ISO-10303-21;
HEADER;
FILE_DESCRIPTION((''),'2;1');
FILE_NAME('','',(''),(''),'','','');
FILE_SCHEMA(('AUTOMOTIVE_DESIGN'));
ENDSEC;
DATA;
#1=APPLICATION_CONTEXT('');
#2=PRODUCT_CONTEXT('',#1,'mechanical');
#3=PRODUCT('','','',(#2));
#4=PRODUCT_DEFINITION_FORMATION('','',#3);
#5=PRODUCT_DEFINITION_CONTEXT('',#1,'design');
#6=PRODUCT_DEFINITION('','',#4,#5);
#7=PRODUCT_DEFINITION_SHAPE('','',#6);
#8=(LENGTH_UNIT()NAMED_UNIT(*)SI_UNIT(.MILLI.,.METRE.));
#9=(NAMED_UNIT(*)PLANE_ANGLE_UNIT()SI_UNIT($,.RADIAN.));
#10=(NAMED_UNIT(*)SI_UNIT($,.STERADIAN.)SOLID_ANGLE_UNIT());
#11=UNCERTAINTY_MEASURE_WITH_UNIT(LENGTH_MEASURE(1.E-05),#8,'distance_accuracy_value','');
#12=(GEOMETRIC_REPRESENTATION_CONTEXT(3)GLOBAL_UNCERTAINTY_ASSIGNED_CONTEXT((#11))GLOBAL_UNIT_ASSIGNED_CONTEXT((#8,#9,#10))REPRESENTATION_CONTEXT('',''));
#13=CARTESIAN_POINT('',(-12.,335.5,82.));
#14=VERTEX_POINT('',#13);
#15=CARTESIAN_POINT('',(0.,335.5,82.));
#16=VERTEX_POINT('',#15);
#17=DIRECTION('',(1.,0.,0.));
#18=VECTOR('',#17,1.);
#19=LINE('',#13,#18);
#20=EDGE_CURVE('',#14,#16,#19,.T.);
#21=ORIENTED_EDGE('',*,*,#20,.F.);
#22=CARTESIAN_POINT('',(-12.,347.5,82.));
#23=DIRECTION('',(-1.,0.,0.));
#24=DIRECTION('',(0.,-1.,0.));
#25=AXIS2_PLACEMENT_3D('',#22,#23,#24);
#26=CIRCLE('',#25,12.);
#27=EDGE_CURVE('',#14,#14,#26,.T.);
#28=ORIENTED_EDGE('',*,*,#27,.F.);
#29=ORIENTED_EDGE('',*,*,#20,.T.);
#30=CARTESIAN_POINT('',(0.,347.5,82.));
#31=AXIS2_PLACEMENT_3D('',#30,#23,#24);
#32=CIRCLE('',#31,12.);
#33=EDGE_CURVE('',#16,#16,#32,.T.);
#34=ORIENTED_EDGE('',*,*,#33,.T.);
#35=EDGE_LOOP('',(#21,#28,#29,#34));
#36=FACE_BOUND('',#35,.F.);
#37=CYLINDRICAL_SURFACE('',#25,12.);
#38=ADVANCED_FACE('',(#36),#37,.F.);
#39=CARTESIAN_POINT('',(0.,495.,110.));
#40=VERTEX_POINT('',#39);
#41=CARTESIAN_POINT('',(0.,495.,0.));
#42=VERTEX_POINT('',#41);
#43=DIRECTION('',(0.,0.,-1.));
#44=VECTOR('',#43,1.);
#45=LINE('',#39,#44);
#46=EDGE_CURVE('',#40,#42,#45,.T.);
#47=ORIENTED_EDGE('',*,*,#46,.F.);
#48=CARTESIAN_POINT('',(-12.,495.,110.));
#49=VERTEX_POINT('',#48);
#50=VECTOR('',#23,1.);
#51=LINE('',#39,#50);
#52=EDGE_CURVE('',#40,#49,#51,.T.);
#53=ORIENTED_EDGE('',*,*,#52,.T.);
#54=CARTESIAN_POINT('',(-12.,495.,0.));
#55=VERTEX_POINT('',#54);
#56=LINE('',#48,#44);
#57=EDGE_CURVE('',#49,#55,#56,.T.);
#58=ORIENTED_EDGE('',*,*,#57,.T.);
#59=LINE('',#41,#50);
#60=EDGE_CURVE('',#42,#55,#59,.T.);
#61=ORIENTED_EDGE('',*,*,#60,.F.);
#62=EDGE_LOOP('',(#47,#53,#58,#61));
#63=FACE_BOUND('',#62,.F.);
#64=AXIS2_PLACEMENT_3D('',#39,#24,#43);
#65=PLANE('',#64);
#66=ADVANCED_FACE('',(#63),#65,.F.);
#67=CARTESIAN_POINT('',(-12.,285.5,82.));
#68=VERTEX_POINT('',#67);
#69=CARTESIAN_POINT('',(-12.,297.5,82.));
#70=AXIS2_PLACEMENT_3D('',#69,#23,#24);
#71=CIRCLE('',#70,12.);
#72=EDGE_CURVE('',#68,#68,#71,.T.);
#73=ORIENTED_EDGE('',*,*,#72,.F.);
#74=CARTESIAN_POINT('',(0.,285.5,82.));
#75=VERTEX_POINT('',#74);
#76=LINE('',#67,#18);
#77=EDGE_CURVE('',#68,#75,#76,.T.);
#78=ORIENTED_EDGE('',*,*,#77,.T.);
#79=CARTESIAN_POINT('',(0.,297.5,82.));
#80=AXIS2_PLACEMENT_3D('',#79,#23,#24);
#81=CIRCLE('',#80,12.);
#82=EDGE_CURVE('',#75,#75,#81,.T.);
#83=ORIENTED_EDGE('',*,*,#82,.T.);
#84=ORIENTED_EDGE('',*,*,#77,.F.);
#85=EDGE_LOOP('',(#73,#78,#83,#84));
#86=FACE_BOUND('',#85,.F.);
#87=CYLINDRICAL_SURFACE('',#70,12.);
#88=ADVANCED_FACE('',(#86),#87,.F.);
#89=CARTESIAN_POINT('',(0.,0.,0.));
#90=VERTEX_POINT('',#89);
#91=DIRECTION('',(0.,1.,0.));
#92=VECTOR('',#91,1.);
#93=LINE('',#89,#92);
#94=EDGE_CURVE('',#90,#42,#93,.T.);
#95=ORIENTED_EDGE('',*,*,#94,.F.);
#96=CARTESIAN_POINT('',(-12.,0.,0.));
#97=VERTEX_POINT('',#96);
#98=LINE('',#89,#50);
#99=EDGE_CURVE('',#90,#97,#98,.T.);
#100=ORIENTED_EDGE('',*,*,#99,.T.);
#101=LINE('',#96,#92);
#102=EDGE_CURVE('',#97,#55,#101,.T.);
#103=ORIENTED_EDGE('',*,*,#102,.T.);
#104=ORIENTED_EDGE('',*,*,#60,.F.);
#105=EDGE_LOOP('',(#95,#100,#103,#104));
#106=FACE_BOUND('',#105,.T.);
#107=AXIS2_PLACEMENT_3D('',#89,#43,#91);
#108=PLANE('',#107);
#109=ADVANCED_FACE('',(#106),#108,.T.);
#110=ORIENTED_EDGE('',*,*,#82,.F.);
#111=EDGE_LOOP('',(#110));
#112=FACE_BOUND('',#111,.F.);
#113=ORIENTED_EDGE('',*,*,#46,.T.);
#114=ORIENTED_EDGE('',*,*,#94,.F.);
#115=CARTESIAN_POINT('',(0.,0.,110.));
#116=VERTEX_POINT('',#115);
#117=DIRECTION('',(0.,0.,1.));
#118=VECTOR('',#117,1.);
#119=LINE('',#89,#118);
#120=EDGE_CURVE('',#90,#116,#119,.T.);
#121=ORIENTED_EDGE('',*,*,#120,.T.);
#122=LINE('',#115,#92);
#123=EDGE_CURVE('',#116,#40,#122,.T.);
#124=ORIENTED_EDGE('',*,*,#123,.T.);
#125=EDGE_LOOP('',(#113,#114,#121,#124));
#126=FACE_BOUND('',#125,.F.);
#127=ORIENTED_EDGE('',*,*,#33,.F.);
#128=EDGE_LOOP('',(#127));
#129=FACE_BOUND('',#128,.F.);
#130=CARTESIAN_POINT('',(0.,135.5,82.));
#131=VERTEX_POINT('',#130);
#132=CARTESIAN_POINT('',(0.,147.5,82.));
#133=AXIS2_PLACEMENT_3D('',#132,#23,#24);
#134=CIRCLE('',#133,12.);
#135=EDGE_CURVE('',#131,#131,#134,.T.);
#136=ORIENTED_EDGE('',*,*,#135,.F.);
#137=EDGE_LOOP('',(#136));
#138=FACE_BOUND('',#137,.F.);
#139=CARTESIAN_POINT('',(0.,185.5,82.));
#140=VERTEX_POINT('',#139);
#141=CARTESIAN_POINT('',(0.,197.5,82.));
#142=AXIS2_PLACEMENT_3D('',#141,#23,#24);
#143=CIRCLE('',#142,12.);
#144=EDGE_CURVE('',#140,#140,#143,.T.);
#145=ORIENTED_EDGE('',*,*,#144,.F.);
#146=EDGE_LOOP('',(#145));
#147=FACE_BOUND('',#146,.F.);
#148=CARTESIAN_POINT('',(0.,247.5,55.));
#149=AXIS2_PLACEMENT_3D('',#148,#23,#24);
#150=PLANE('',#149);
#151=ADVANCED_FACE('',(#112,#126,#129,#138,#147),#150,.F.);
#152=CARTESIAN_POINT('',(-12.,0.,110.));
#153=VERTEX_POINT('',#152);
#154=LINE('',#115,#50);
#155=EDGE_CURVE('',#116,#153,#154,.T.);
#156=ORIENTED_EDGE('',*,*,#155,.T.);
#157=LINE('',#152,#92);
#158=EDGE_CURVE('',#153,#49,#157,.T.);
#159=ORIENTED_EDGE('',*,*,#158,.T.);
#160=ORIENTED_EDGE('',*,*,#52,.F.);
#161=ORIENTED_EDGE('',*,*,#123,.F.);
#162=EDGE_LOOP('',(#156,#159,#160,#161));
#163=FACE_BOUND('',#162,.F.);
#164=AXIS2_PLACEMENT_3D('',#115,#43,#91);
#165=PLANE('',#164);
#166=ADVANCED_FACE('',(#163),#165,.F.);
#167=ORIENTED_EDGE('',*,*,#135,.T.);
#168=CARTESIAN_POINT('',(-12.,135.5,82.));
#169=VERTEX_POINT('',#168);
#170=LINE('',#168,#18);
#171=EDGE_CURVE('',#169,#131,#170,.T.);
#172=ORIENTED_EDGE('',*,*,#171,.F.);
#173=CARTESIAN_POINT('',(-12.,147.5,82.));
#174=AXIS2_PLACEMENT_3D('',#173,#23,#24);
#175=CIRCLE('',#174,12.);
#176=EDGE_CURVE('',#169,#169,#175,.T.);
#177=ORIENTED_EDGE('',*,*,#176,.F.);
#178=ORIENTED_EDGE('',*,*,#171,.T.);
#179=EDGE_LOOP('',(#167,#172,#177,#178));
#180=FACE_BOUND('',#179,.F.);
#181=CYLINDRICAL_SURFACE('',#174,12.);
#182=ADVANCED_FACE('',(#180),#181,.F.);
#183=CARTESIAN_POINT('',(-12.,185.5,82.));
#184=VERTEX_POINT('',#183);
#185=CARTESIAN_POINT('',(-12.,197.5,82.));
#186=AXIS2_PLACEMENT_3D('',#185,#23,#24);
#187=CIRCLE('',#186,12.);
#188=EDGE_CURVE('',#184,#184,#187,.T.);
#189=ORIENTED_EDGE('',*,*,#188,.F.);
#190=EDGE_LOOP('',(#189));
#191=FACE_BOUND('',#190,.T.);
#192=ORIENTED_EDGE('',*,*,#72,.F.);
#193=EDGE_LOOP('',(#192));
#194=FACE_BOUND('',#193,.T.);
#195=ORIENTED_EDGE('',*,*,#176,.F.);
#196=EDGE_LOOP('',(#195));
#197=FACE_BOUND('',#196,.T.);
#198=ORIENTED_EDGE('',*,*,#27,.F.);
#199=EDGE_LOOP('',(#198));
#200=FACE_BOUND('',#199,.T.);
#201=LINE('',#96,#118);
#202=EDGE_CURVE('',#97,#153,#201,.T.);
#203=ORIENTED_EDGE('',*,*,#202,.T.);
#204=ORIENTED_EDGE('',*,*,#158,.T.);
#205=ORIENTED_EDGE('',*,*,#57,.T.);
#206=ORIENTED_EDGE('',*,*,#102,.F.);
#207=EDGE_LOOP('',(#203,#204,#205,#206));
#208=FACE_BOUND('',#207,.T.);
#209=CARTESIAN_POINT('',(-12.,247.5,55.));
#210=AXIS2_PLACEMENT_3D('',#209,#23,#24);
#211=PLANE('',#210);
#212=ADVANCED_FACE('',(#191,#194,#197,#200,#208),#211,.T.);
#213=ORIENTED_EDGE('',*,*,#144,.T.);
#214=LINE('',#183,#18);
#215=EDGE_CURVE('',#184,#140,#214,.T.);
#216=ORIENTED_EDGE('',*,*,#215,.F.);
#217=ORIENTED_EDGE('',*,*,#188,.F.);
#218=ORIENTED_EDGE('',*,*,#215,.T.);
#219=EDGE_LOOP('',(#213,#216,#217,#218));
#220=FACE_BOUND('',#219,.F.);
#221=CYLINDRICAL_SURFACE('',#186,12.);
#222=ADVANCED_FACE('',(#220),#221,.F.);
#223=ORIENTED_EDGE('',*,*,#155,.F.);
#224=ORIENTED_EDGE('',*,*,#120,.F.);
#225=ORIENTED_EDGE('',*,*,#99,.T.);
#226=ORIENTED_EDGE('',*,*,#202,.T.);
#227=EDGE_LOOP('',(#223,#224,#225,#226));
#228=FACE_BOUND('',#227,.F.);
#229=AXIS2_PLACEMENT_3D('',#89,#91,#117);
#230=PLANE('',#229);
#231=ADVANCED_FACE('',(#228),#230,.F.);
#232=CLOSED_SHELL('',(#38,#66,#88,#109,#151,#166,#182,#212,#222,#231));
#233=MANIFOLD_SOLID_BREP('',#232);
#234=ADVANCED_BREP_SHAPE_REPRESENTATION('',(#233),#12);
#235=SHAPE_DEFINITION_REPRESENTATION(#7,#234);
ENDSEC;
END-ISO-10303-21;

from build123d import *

# Parameters (mm, degrees)
PAD_DEPTH    = 12
SKETCH001_R  = 12
POCKET_DEPTH = 20


with BuildPart() as part:
    # Sketch → Pad (new body)
    with BuildSketch(Plane.YZ):
        Polygon((0, 0), (0, 110), (495, 110), (495, 0), (247.5, 0), align=None)
    extrude(amount=-PAD_DEPTH)

    # Sketch001 (on Face7 of Pad) → Pocket (cut)
    with BuildSketch(Plane(origin=(-12, 0, 0), x_dir=(0, -1, 0), z_dir=(-1, 0, 0))):
        with Locations((-197.5, 82)):
            Circle(SKETCH001_R)
        with Locations((-297.5, 82)):
            Circle(SKETCH001_R)
        with Locations((-347.5, 82)):
            Circle(SKETCH001_R)
        with Locations((-147.5, 82)):
            Circle(SKETCH001_R)
    extrude(amount=-POCKET_DEPTH, mode=Mode.SUBTRACT)


solid = part.part
